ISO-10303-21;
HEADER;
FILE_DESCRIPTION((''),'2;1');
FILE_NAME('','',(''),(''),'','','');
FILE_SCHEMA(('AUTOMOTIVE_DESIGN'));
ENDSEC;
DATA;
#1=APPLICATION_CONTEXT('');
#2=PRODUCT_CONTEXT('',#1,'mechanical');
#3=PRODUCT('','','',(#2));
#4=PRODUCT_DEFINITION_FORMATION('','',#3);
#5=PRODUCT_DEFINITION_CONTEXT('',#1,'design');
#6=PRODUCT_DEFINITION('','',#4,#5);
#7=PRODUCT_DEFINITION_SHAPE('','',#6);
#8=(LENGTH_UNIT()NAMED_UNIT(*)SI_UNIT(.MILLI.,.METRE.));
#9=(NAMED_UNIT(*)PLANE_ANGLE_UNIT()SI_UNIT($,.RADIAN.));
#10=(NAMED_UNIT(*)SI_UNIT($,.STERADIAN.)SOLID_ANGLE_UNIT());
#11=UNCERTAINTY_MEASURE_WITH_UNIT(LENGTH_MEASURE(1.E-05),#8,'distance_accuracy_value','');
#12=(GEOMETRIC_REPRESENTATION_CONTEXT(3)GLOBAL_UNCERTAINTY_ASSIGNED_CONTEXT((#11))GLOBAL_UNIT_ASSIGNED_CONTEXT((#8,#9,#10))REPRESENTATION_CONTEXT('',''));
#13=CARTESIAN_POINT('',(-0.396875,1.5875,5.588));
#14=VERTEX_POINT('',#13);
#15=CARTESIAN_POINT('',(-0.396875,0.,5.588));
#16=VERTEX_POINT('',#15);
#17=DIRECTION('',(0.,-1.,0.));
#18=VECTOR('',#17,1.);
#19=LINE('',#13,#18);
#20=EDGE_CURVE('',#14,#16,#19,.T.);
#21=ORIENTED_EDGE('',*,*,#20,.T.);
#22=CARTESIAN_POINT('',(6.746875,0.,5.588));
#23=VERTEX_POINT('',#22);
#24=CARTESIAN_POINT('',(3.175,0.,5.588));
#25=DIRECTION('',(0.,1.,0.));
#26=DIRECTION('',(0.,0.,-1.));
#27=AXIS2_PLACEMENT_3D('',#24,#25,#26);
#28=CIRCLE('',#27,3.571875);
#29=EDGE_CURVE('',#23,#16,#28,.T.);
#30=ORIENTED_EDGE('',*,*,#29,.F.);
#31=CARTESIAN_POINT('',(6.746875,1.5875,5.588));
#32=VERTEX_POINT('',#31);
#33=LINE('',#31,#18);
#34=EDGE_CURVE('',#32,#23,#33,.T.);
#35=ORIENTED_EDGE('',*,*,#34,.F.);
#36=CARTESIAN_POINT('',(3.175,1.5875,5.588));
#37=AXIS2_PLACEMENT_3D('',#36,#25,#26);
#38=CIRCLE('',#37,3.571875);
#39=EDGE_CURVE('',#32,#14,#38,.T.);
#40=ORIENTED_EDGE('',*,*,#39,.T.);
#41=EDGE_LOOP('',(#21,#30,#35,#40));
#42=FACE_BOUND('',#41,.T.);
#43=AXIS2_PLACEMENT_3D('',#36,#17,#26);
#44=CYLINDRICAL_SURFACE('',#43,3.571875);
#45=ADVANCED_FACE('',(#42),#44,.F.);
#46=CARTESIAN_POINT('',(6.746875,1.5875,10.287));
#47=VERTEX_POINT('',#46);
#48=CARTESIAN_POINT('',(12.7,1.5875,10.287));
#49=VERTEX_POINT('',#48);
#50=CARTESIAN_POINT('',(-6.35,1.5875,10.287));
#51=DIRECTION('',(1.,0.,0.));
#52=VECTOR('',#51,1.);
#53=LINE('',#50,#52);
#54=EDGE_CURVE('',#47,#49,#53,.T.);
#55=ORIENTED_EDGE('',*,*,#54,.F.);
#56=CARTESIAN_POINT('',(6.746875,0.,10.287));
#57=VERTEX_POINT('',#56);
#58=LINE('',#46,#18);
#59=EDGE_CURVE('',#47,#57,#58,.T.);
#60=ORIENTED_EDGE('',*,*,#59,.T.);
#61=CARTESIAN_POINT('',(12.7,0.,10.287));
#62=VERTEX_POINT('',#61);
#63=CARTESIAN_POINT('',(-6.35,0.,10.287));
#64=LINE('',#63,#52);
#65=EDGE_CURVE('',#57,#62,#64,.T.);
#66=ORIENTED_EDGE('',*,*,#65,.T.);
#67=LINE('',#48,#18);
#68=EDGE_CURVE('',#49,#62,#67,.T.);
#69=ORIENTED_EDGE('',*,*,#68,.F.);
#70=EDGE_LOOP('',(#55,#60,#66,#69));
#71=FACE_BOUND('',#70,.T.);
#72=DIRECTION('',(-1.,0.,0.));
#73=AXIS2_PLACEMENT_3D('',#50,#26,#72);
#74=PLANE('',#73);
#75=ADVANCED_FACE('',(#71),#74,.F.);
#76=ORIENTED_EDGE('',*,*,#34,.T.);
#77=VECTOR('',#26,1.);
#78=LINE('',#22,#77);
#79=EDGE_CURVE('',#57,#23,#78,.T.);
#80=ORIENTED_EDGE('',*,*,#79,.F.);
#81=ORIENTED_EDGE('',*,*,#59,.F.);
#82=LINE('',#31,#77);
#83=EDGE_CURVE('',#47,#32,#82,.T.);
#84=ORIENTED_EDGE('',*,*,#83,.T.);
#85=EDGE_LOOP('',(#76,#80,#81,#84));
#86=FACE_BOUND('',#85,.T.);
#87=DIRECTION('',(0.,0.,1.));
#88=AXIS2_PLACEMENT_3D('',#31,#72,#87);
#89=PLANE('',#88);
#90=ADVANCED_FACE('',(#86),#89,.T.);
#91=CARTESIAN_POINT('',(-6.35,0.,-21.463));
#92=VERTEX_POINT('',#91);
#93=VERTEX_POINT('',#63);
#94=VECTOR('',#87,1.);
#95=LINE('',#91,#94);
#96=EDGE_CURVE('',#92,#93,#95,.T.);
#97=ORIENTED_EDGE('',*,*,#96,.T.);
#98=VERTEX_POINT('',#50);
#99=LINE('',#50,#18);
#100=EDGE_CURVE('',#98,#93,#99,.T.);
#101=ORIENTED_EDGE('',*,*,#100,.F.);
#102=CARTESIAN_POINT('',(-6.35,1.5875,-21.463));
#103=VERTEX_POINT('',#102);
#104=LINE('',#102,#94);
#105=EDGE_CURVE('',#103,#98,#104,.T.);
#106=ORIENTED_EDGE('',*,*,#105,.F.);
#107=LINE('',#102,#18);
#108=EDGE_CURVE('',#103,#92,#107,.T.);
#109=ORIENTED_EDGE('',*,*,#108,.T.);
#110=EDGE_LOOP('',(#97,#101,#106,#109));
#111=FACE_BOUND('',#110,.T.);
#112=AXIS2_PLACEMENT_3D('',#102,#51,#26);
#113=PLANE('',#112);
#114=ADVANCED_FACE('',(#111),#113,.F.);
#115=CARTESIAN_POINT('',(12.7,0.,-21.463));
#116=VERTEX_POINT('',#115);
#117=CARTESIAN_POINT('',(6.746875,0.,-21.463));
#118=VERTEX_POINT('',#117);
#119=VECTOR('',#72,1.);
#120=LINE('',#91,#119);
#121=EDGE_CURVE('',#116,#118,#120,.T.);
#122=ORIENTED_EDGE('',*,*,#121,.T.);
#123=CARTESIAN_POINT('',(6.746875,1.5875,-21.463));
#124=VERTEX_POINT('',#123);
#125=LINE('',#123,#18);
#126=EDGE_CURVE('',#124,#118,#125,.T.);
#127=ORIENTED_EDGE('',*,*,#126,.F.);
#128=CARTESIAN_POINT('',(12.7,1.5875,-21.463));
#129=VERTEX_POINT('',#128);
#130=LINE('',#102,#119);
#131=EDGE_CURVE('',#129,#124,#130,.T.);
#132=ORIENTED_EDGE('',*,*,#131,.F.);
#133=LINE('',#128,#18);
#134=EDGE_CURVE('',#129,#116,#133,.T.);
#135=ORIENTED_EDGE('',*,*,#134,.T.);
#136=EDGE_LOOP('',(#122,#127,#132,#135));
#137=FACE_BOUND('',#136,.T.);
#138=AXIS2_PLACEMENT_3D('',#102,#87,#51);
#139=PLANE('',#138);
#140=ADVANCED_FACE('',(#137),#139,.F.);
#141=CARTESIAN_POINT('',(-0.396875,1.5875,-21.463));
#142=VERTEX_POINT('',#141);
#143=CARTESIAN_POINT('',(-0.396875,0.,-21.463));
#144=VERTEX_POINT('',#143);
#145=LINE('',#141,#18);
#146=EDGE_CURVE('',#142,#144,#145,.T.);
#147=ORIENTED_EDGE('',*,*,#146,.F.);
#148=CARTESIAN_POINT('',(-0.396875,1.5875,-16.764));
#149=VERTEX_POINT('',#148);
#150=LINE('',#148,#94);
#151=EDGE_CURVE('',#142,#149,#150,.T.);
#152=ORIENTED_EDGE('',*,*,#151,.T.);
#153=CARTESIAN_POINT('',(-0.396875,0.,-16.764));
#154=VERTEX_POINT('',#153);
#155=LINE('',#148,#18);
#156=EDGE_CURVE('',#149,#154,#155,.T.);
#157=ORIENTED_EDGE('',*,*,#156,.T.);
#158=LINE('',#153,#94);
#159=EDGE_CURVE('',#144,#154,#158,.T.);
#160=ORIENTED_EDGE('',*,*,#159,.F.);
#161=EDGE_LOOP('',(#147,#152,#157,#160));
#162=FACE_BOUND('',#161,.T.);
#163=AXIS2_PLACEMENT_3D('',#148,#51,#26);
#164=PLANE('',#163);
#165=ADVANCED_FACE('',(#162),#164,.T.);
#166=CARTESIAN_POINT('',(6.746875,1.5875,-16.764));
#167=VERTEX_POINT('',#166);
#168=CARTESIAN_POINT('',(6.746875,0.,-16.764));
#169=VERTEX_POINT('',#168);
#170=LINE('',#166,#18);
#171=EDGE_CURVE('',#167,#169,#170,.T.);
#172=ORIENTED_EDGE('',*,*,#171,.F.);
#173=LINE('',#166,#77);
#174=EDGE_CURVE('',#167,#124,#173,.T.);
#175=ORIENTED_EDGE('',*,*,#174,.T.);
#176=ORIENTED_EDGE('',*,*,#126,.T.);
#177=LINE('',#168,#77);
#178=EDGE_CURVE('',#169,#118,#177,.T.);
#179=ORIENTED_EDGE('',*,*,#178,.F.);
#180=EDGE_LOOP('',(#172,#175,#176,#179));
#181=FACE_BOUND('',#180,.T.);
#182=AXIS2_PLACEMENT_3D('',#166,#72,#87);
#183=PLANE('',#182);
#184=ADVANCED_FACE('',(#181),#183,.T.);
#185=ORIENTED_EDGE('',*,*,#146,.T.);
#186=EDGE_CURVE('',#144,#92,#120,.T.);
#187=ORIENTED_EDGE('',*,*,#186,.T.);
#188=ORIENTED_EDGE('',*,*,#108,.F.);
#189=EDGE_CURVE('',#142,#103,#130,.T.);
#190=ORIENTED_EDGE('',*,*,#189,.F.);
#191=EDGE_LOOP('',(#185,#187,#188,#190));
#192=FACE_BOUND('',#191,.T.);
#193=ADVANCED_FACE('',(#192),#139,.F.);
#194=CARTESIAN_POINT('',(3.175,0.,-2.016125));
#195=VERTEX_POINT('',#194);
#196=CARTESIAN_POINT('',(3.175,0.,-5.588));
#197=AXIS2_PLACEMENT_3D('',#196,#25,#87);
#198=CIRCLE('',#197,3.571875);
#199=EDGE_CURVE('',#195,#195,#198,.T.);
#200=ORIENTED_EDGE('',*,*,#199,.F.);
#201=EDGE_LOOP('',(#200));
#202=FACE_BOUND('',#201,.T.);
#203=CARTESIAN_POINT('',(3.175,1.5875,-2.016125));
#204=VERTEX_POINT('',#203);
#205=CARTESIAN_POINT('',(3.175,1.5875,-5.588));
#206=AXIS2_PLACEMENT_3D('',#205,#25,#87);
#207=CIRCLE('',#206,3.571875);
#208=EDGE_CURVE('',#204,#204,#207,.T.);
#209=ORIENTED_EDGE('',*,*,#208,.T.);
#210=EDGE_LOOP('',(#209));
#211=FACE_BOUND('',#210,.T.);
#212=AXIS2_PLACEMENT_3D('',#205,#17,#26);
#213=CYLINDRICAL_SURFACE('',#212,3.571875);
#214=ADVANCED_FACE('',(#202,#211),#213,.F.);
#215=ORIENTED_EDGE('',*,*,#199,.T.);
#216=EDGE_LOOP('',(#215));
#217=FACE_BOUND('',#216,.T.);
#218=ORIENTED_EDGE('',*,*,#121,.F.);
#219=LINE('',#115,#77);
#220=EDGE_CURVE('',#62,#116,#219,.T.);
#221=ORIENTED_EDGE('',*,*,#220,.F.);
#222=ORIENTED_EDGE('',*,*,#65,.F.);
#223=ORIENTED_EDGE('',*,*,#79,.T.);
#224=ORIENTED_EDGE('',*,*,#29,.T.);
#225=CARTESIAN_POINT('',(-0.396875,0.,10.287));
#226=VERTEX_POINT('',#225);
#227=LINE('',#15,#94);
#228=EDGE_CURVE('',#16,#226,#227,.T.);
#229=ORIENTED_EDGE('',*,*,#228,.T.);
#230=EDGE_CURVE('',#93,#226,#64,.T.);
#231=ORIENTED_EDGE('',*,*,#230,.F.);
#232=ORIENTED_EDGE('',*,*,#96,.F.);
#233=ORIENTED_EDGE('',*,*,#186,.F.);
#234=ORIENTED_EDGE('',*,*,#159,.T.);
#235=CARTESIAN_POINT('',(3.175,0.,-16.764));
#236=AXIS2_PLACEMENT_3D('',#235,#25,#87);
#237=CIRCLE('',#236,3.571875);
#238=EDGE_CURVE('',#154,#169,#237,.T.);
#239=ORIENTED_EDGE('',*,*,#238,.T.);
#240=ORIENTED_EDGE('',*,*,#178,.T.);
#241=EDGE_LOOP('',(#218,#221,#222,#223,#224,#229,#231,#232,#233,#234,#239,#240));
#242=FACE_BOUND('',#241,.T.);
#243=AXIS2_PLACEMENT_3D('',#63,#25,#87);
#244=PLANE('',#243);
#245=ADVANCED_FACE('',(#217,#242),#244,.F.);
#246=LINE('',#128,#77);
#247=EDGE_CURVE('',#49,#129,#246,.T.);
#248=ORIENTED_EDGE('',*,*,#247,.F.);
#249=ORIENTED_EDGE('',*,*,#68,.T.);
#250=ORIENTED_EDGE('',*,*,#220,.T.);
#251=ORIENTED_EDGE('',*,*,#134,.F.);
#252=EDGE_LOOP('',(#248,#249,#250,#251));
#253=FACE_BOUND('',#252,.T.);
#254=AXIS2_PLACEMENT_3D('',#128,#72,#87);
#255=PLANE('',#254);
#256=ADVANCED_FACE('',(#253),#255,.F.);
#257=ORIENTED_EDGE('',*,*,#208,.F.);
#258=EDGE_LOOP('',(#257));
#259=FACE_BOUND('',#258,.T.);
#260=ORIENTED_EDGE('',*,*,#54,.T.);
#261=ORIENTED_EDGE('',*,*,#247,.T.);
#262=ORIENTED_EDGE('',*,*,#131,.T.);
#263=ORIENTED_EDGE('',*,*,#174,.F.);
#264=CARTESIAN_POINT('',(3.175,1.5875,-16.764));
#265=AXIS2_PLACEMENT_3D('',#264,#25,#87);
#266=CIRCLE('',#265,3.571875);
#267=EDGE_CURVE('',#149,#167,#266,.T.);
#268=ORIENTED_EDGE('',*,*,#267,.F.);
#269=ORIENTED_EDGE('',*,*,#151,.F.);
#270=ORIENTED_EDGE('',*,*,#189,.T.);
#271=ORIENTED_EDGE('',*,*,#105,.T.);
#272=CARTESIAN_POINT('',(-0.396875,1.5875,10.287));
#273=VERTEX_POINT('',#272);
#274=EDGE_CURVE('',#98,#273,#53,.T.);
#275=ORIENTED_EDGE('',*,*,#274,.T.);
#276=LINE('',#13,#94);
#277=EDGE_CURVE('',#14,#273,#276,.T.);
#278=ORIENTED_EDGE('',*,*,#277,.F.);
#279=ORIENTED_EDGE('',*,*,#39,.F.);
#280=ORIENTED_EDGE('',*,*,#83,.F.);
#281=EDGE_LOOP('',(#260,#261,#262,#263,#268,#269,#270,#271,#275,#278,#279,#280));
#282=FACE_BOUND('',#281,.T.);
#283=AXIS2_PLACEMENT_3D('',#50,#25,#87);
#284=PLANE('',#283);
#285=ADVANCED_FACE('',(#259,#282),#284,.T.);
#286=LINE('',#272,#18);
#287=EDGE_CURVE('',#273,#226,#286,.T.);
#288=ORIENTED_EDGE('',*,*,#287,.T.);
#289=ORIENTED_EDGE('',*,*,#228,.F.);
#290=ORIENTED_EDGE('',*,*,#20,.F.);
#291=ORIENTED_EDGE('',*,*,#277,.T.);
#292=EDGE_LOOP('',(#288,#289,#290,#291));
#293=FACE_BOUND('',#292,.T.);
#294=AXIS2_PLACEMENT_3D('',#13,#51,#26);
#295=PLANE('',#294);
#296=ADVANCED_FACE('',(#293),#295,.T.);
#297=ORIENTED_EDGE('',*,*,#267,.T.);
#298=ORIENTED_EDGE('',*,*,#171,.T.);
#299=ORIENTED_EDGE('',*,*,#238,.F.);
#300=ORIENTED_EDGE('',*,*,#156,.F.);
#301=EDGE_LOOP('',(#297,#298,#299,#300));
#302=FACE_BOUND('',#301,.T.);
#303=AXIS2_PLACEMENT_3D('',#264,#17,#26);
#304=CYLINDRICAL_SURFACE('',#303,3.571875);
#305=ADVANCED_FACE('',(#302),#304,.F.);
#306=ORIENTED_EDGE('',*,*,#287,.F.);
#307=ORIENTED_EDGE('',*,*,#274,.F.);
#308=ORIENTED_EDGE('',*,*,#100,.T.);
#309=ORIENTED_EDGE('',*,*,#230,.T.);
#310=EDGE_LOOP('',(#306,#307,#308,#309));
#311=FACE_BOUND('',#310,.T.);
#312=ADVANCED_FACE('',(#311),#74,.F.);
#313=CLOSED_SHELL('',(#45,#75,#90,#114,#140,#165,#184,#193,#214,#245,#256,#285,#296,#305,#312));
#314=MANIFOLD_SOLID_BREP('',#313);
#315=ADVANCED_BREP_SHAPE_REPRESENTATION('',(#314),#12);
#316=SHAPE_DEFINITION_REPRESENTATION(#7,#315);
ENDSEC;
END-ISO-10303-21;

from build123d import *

# Parameters (mm, degrees)
SKETCH1_W          = 19.05
SKETCH1_H          = 31.75
EXTRUDE1_DEPTH     = 1.5875
SKETCH3_R          = 3.571875
CUT_EXTRUDE6_DEPTH = 25.989408261
SKETCH5_R          = 3.571875
CUT_EXTRUDE8_DEPTH = 25.989408261
CIRPATTERN1_COUNT  = 2
SKETCH6_W          = 7.14375
SKETCH6_H          = 4.699
CUT_EXTRUDE9_DEPTH = 25.989408261
CIRPATTERN2_COUNT  = 2


with BuildPart() as part:
    # Sketch1 → Extrude1 (new body)
    with BuildSketch(Plane(origin=(0, 0, 0), x_dir=(1, 0, 0), z_dir=(0, 1, 0))):
        with Locations((3.175, 5.588)):
            Rectangle(SKETCH1_W, SKETCH1_H)
    extrude(amount=EXTRUDE1_DEPTH)

    # Sketch3 → Cut-Extrude6 (cut, through all)
    with BuildSketch(Plane(origin=(0, 0, 0), x_dir=(1, 0, 0), z_dir=(0, 1, 0))):
        with Locations(Location((3.175, 5.588, 0), (0, 0, 270))):
            Circle(SKETCH3_R)
    extrude(amount=CUT_EXTRUDE6_DEPTH, mode=Mode.SUBTRACT)

    # Sketch5 → Cut-Extrude8 (cut, through all)
    with BuildSketch(Plane(origin=(0, 0, 0), x_dir=(1, 0, 0), z_dir=(0, 1, 0))):
        with Locations(Location((3.175, 16.764, 0), (0, 0, 270))):
            Circle(SKETCH5_R)
    cut_extrude8 = extrude(amount=CUT_EXTRUDE8_DEPTH, mode=Mode.SUBTRACT)

    # CirPattern1: Cut-Extrude8 ×2 about axis
    cirpattern1_axis = Axis((3.175, 0, -5.588), (0, 1, 0))
    for i in range(1, CIRPATTERN1_COUNT):
        add(cut_extrude8.rotate(cirpattern1_axis, i * 360 / CIRPATTERN1_COUNT), mode=Mode.SUBTRACT)

    # Sketch6 → Cut-Extrude9 (cut, through all)
    with BuildSketch(Plane(origin=(0, 0, 0), x_dir=(1, 0, 0), z_dir=(0, 1, 0))):
        with Locations((3.175, -7.9375)):
            Rectangle(SKETCH6_W, SKETCH6_H)
    cut_extrude9 = extrude(amount=CUT_EXTRUDE9_DEPTH, mode=Mode.SUBTRACT)

    # CirPattern2: Cut-Extrude9 ×2 about axis
    cirpattern2_axis = Axis((3.175, 1.5875, -5.588), (0, -1, 0))
    for i in range(1, CIRPATTERN2_COUNT):
        add(cut_extrude9.rotate(cirpattern2_axis, i * 360 / CIRPATTERN2_COUNT), mode=Mode.SUBTRACT)


solid = part.part
